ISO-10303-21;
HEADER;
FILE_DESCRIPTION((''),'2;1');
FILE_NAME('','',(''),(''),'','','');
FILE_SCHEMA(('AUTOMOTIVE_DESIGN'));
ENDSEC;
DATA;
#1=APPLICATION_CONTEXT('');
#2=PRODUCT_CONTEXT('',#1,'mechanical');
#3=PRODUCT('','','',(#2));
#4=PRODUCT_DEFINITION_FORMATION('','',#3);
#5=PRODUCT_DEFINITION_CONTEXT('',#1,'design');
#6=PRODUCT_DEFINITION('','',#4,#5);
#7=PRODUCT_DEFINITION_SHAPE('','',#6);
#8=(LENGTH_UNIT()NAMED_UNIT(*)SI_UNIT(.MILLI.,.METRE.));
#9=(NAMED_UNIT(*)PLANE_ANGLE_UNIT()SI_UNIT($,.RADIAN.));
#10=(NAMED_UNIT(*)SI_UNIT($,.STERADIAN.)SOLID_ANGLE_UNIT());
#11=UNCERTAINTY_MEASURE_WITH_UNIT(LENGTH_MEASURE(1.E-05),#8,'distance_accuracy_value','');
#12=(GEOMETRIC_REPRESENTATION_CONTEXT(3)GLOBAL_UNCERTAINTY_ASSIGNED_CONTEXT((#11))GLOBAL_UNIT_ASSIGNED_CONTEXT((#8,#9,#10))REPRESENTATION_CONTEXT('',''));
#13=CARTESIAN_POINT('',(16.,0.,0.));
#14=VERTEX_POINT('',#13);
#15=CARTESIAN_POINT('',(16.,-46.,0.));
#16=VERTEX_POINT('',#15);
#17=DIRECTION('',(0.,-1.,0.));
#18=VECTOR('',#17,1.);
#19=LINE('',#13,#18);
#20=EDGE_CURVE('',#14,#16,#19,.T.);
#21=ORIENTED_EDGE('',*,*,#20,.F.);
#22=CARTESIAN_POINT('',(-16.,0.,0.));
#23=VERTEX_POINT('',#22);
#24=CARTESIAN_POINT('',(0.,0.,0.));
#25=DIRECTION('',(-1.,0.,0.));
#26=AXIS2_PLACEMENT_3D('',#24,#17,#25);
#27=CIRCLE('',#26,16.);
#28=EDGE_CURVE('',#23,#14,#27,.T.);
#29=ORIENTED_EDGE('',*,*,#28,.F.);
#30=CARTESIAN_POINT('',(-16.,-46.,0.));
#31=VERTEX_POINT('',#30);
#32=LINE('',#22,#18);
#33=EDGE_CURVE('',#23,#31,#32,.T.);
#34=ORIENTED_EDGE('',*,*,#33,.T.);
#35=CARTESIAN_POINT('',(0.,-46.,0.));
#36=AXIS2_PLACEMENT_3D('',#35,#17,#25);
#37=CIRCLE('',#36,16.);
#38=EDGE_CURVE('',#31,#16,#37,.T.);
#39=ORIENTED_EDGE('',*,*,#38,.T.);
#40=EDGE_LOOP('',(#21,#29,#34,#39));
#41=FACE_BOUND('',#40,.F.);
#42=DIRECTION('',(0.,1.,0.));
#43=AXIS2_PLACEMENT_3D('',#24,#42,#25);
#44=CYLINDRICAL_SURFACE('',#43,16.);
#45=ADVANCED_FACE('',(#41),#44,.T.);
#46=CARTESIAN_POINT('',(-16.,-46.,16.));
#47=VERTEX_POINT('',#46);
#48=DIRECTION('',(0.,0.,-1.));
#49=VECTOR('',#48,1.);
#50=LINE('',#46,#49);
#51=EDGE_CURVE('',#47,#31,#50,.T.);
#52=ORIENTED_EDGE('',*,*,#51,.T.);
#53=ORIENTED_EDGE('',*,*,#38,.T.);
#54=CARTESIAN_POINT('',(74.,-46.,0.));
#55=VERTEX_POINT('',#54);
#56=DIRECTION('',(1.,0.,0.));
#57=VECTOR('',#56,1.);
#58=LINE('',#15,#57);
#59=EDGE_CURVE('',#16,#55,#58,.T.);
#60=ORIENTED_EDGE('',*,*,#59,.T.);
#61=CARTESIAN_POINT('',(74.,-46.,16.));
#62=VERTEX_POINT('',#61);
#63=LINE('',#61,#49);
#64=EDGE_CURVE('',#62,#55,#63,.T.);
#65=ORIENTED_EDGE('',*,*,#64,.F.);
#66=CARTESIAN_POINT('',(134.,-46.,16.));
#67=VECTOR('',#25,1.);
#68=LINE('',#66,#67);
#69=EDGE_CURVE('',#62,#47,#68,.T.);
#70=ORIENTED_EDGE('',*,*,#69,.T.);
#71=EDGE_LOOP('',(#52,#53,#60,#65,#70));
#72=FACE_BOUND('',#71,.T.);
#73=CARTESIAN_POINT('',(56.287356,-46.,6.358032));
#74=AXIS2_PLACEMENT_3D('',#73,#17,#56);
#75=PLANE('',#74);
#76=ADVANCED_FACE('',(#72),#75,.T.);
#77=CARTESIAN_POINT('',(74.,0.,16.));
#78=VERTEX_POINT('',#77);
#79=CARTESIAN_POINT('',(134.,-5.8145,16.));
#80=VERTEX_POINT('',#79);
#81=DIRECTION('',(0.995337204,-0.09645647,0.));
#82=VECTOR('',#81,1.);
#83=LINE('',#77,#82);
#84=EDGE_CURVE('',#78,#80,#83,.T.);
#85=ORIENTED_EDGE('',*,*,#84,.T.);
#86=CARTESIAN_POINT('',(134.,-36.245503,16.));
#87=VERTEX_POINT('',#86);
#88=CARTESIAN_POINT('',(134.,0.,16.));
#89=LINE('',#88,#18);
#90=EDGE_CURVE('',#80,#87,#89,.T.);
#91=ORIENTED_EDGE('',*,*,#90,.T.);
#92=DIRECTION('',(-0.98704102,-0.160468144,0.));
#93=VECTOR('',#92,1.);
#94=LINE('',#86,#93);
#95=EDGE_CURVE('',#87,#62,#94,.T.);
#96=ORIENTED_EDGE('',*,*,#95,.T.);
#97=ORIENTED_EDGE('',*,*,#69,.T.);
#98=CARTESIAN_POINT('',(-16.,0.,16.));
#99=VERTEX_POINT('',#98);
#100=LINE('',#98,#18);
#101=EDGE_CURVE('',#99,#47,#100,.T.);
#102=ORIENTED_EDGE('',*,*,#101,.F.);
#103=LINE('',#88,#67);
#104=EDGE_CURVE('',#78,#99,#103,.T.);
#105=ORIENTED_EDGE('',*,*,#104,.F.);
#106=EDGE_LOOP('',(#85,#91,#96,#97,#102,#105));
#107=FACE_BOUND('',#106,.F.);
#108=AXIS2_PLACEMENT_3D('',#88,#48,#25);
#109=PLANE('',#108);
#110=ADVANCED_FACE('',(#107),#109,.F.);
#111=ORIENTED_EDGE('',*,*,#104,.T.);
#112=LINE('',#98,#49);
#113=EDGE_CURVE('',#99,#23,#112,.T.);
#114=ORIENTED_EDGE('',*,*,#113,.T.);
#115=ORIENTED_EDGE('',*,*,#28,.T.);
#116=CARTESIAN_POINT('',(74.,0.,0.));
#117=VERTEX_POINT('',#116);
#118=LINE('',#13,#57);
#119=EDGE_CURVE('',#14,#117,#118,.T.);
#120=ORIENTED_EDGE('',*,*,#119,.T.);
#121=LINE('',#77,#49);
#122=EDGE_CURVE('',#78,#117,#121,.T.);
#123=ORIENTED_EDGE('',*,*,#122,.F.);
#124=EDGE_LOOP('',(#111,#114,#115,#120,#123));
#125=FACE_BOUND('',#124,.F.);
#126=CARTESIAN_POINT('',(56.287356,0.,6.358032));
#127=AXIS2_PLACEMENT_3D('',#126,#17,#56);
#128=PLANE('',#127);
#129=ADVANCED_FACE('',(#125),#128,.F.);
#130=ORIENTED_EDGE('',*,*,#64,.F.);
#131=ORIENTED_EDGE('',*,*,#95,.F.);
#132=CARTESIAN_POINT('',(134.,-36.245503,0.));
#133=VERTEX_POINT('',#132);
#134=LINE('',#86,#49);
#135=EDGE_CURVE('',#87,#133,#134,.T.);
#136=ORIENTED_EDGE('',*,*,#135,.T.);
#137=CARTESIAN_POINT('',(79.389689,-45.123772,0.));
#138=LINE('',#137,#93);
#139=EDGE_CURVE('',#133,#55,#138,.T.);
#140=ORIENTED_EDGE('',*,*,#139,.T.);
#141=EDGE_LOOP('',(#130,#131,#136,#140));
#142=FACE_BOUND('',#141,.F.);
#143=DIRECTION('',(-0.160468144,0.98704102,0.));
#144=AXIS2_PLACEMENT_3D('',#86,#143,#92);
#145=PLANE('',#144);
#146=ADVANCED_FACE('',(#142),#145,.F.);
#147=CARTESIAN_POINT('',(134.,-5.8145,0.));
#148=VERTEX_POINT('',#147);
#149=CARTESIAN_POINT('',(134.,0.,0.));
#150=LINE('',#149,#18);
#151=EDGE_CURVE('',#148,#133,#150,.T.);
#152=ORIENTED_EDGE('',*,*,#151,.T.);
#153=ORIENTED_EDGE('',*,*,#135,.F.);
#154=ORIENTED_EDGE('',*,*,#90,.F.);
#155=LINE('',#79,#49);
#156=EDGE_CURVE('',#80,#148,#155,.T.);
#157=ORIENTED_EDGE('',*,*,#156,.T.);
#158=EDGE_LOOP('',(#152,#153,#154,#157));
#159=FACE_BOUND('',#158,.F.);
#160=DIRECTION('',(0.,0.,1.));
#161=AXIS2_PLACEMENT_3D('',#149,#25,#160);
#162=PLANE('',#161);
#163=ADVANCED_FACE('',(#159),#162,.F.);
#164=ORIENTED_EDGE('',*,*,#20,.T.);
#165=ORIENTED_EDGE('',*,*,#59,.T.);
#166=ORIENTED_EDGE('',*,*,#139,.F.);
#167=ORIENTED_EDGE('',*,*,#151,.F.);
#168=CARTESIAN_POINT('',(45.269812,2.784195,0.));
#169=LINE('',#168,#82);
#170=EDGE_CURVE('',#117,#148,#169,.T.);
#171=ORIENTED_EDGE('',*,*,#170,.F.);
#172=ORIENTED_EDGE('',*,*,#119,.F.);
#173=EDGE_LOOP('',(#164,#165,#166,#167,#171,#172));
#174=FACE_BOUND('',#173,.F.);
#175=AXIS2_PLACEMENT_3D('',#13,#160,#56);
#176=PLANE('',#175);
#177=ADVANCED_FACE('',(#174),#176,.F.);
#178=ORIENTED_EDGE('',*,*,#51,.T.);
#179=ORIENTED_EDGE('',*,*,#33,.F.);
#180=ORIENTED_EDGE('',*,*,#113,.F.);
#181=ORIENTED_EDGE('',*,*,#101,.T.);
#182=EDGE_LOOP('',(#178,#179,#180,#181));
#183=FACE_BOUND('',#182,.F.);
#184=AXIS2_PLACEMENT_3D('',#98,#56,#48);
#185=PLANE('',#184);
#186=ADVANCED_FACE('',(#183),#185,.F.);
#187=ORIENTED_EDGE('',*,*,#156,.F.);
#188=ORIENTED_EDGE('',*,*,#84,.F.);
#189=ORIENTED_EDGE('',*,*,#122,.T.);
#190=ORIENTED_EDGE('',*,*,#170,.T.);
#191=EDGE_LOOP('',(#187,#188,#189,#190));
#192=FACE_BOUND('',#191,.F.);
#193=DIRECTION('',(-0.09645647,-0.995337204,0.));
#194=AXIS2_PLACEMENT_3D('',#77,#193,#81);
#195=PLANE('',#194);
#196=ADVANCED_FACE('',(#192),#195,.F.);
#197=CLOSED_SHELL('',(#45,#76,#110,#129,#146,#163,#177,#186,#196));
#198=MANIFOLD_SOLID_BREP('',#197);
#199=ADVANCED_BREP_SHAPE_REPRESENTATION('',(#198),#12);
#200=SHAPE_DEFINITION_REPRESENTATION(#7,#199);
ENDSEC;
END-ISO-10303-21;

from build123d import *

# Parameters (mm, degrees)
F1_DEPTH = 46
F2_DEPTH = 46
F4_DEPTH = 25


with BuildPart() as f1:
    # F0 (on Front) → F1 (new body)
    with BuildSketch(Plane.XZ):
        with BuildLine():
            Line((-16, 16), (-16, 0))
            ThreePointArc((-16, 0), (0, -16), (16, 0))
            Line((16, 0), (134, 0))
            Line((134, 0), (134, 16))
            Line((134, 16), (-16, 16))
        make_face()
    extrude(amount=F1_DEPTH)

    # F0 (on Front) → F2 (join)
    with BuildSketch(Plane.XZ):
        with BuildLine():
            Line((-16, 16), (-16, 0))
            ThreePointArc((-16, 0), (0, -16), (16, 0))
            Line((16, 0), (134, 0))
            Line((134, 0), (134, 16))
            Line((134, 16), (-16, 16))
        make_face()
    extrude(amount=F2_DEPTH)

    # F3 (on face) → F4 (cut)
    with BuildSketch(Plane.XY.offset(16)):
        Polygon((134, -36.245503), (74, -46), (134, -46), align=None)
        Polygon((134, 0), (74, 0), (134, -5.8145), align=None)
    extrude(amount=-F4_DEPTH, mode=Mode.SUBTRACT)


solid = f1.part
